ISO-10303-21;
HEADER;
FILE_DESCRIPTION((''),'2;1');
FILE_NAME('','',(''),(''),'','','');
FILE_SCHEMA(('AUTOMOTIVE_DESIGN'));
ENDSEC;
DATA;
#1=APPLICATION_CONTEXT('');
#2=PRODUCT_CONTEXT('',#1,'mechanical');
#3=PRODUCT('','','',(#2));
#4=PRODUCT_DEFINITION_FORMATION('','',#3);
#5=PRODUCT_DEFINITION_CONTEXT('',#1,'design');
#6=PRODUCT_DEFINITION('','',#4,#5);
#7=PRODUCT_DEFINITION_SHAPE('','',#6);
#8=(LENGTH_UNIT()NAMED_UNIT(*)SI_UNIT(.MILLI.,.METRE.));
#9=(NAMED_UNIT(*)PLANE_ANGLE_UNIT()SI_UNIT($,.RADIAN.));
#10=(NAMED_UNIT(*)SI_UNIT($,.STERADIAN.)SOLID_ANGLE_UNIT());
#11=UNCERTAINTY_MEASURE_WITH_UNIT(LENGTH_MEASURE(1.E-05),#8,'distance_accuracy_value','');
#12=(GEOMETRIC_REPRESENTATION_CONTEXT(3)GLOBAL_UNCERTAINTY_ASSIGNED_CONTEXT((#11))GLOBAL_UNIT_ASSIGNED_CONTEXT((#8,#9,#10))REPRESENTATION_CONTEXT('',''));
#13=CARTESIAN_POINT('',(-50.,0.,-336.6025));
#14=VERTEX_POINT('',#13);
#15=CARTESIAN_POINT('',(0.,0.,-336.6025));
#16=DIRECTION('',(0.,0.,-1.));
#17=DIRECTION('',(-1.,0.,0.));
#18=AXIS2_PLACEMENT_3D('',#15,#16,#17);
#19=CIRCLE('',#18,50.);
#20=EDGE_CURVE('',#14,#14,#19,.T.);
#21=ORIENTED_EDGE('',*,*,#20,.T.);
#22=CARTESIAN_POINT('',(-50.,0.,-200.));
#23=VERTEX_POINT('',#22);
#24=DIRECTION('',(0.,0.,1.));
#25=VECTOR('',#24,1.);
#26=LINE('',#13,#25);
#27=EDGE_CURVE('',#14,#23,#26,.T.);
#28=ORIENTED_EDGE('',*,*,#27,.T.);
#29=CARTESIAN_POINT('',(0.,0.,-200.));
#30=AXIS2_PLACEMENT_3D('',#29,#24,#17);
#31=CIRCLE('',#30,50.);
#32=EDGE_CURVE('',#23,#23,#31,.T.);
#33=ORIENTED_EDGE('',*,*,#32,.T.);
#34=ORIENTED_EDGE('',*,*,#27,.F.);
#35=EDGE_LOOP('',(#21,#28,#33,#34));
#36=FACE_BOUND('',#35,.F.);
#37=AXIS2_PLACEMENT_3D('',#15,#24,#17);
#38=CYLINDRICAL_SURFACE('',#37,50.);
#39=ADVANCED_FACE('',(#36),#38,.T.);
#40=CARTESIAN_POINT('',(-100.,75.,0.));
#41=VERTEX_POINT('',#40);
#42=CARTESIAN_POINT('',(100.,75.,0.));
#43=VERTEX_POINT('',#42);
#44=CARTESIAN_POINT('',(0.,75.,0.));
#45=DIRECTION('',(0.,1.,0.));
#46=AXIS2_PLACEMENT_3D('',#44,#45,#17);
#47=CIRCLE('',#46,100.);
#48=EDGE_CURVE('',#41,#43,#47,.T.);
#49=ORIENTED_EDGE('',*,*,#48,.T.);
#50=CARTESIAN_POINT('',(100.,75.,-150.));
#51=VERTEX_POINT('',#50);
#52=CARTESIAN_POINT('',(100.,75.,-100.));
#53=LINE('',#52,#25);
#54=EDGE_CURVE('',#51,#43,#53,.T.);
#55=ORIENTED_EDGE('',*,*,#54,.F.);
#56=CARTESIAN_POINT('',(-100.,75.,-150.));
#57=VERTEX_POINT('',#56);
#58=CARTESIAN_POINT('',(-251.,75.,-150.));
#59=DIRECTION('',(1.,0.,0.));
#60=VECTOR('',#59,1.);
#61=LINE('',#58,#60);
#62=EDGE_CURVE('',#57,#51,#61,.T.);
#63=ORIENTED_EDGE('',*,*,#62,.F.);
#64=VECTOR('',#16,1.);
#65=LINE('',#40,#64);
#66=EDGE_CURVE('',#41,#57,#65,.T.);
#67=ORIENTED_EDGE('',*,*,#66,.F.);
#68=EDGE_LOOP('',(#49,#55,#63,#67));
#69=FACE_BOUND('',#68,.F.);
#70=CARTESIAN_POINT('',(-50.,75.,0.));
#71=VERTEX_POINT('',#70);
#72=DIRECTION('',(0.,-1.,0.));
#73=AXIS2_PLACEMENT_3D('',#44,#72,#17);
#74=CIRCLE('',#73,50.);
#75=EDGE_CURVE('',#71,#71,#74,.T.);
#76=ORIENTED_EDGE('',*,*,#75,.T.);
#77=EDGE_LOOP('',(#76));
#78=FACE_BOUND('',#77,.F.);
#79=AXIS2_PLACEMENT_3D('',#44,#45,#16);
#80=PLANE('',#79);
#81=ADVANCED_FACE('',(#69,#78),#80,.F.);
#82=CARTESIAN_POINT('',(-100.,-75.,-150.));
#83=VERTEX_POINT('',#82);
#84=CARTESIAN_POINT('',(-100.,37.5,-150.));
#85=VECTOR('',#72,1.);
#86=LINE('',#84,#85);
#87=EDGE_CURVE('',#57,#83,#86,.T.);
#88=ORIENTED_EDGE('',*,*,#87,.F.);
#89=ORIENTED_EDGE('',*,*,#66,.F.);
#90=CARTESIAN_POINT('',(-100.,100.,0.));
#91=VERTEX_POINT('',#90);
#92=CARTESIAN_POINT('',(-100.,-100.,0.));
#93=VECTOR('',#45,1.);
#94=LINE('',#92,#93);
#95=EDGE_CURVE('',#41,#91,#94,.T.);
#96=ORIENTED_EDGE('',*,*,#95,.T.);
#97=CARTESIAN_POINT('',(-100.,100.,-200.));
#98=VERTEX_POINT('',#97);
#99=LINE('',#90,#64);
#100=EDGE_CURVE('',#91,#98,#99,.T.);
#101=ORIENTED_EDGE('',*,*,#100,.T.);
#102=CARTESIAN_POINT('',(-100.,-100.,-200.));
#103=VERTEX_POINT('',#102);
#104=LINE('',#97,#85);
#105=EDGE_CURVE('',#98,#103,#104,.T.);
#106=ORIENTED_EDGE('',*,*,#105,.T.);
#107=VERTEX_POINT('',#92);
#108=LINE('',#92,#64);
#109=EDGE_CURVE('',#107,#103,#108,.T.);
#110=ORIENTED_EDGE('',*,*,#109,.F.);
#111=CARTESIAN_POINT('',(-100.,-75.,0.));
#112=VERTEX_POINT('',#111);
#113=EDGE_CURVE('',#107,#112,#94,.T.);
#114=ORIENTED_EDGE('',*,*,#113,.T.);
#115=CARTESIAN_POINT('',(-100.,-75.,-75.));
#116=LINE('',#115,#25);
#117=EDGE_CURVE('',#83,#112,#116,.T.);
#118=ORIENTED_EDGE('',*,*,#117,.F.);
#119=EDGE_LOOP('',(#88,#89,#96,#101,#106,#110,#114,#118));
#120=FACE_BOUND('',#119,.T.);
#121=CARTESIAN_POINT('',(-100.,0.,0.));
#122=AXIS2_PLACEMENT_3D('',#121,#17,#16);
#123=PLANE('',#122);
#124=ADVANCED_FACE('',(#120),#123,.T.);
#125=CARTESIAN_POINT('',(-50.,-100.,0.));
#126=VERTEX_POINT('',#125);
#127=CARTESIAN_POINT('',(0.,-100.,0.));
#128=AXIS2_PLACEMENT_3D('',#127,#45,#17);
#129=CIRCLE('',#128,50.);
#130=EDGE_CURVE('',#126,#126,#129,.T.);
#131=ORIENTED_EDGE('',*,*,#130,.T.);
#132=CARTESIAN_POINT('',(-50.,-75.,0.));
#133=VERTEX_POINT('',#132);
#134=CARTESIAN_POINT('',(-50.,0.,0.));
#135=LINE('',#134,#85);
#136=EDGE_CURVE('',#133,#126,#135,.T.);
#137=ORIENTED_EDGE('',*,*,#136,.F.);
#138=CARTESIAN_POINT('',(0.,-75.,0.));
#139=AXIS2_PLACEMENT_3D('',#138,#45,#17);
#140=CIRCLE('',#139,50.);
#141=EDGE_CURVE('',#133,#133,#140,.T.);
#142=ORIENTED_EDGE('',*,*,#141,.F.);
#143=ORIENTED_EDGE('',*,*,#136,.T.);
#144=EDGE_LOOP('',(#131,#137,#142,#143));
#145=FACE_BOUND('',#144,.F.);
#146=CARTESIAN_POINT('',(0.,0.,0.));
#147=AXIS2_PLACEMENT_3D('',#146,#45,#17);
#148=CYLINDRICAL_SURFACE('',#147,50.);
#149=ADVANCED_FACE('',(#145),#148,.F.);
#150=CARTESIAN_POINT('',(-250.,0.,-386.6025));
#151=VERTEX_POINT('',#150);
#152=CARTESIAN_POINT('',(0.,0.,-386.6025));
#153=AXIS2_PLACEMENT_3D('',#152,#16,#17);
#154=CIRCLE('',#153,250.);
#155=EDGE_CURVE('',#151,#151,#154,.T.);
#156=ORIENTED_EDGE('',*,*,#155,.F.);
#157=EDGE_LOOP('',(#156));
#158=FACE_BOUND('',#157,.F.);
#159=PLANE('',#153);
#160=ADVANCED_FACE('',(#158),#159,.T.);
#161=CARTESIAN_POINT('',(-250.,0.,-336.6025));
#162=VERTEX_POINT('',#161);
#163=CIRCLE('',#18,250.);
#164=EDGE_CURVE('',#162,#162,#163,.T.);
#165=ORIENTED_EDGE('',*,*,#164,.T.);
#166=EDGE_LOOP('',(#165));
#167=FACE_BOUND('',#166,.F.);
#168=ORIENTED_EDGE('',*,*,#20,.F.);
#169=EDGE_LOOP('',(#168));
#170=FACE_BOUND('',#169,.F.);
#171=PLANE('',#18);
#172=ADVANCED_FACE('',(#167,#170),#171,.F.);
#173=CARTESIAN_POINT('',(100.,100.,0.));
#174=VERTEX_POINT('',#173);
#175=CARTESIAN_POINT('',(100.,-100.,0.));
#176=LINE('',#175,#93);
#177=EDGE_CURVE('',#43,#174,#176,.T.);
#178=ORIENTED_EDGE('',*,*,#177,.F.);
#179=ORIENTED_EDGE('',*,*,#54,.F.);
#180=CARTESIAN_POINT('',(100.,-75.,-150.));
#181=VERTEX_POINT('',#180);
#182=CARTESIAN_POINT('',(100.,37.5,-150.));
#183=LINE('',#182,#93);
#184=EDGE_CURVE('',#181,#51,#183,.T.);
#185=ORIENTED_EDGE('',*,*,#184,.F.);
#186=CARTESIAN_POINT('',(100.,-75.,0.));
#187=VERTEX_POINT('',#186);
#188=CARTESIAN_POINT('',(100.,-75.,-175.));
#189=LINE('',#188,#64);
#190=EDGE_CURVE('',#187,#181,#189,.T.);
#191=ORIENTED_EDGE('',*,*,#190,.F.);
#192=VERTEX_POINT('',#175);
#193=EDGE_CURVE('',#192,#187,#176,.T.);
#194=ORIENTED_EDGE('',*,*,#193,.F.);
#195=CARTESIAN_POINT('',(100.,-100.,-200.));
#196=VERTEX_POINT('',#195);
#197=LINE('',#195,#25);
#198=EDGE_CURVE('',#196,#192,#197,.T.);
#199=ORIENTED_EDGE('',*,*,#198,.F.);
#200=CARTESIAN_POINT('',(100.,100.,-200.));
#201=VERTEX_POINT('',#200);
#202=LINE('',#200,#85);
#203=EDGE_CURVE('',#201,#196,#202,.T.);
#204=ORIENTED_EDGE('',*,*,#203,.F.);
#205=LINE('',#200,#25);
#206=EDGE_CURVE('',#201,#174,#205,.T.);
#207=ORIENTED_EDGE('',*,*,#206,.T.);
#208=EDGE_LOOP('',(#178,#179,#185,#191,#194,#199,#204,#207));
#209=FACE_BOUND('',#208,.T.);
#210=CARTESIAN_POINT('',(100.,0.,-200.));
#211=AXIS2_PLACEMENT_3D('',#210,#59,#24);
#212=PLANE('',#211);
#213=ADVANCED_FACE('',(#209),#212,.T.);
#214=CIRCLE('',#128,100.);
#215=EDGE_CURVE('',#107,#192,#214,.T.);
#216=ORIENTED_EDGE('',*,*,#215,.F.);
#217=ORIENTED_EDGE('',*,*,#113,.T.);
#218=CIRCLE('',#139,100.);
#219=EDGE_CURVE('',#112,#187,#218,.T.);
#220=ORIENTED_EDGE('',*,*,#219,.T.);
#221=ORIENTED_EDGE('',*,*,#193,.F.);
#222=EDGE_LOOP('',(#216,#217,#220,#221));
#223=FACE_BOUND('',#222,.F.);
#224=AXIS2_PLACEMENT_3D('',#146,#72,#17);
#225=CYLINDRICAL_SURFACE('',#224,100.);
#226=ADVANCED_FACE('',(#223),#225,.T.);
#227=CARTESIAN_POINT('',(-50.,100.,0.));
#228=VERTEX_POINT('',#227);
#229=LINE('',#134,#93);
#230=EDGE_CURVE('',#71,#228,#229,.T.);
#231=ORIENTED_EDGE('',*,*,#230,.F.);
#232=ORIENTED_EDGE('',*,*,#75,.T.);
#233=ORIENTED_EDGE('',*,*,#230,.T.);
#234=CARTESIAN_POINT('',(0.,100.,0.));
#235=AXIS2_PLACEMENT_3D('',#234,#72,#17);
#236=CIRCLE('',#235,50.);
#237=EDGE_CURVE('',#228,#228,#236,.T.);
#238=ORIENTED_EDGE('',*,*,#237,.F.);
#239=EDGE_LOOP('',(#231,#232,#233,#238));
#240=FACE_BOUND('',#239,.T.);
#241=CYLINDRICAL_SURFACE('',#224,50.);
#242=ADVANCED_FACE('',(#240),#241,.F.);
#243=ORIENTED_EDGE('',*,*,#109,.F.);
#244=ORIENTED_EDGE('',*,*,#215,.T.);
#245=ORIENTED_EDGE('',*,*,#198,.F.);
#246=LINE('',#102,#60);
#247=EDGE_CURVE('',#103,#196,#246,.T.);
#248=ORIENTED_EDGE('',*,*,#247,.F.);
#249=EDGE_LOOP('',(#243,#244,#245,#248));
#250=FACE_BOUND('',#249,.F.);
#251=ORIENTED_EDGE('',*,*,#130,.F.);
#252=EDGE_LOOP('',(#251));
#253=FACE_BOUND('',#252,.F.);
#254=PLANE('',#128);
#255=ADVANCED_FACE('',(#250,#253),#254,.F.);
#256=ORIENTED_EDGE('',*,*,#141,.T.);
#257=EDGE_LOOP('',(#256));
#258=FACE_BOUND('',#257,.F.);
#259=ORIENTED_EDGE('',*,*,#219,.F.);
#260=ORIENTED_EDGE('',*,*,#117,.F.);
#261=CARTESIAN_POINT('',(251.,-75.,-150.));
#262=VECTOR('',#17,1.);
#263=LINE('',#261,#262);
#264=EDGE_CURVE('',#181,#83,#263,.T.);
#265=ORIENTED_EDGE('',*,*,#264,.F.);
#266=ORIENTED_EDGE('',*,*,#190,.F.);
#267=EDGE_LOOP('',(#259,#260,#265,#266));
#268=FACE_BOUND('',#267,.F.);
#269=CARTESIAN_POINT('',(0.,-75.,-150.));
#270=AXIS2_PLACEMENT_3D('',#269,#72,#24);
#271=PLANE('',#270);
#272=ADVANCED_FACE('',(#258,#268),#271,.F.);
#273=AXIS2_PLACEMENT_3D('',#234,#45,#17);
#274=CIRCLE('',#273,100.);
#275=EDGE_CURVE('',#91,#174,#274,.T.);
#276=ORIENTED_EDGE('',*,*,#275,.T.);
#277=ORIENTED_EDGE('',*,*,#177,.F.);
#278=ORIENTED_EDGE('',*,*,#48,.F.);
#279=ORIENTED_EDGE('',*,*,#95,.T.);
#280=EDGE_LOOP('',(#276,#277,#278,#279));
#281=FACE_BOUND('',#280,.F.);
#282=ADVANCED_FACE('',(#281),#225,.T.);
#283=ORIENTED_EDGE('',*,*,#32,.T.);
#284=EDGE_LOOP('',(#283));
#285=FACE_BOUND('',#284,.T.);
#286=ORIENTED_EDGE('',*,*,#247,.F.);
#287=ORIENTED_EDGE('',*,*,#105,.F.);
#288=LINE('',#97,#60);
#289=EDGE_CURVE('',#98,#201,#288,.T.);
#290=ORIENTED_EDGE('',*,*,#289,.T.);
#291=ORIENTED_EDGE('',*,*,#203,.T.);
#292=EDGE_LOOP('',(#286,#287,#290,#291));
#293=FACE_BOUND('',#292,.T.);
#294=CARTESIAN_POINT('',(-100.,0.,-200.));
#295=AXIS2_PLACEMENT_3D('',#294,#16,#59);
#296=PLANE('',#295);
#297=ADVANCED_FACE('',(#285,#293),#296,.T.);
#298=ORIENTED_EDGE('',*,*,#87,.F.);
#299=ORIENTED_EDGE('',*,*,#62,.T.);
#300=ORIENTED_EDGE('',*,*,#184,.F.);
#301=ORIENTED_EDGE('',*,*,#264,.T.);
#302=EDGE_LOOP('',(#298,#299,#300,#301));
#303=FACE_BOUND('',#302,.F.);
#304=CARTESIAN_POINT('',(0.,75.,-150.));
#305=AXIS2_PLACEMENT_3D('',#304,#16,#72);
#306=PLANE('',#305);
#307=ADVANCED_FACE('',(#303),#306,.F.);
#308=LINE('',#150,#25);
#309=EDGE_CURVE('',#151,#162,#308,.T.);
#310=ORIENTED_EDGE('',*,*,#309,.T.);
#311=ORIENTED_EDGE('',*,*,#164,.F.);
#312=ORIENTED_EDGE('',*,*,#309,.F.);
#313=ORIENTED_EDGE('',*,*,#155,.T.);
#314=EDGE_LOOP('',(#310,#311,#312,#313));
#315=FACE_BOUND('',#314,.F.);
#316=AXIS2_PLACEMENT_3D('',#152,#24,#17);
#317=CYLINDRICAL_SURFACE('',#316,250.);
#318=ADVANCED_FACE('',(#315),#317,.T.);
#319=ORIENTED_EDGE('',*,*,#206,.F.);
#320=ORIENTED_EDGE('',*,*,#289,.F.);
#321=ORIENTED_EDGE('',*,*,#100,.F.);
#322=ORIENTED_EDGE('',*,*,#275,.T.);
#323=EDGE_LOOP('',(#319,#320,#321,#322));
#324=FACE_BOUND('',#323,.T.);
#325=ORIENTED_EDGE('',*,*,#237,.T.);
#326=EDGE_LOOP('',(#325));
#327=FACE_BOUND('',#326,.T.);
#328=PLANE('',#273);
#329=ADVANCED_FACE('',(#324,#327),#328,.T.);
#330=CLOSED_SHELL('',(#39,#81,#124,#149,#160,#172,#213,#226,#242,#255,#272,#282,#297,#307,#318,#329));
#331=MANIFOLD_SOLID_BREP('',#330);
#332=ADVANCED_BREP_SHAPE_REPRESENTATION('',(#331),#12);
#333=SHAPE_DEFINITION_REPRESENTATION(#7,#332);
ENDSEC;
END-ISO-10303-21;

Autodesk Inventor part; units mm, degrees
ref_plane "YZ Plane" through (0, 0, 0) normal (1, 0, 0) x (0, 1, 0)
ref_plane "XZ Plane" through (0, 0, 0) normal (0, 1, 0) x (-1, 0, 0)
ref_plane "XY Plane" through (0, 0, 0) normal (0, 0, 1) x (1, 0, 0)
sketch "Sketch2" plane through (0, 0, 0) normal (0, 1, 0) x (-1, 0, 0)
  line L0 (0, 143.7774) -> (0, -86.6025) construction
  line L1 (190.8875, 0) -> (-168.3726, 0)
  arc A0 (50, -86.6025) -> (0, 100) centre (0, 0) ccw construction
  line L2 (0, 0) -> (0, -86.6025) construction
  line L3 (0, -386.6025) -> (250, -386.6025)
  line L4 (250, -386.6025) -> (250, -336.6025)
  line L5 (250, -336.6025) -> (50, -336.6025)
  line L6 (50, -336.6025) -> (50, -86.6025)
  line L7 (0, 0) -> (0, 100) construction
  line L8 (50, -86.6025) -> (0, -86.6025)
  line L9 (0, -86.6025) -> (0, -95.5661) construction
  line L10 (0, -86.6025) -> (0, -386.6025)
  dimension "d0" = 100
  dimension "ht" = 250
  dimension "base_thick" = 50
  dimension "base_radius" = 250
  dimension "d11" = 50
revolve "Revolution2" add sketch "Sketch2" angle 360 about axis through (0, 0, 143.7774) along (0, 0, -1)
sketch "Sketch3" plane through (0, 0, 0) normal (0, 1, 0) x (-1, 0, 0)
  line L0 (68.3369, 0) -> (-71.9882, 0)
  line L1 (0, 52.8788) -> (0, -69.4874)
  arc A0 (100, 0) -> (-100, 0) centre (0, 0) ccw
  line L2 (100, 0) -> (100, -200)
  line L3 (100, -200) -> (-100, -200)
  line L4 (-100, -200) -> (-100, 0)
  dimension "d26" = 100
  dimension "d27" = 200
extrude "Extrusion1" add sketch "Sketch3" along normal mid plane 200
sketch "Sketch4" plane through (0, 0, 0) normal (0, 1, 0) x (-1, 0, 0)
  circle A0 centre (0, 0) radius 50
  dimension "d30" = 50
extrude "Extrusion2" cut sketch "Sketch4" along normal through all both and the other way through all
sketch "Sketch5" plane through (0, 0, 0) normal (1, 0, 0) x (0, 1, 0)
  line L0 (75, -150) -> (-75, -150)
  line L1 (-75, -150) -> (-75, 100)
  line L2 (-75, 100) -> (75, 100)
  line L3 (75, 100) -> (75, -150)
  line L4 (0, -62.7821) -> (0, 60)
  line L5 (91.6333, 0) -> (-95.5004, 0)
  line L6 (0, -400) -> (0, 300) construction
  point P0 (0, 0)
  dimension "d35" = 75
  dimension "d36" = 100
  dimension "d39" = 150
extrude "Extrusion3" cut sketch "Sketch5" along normal through all both and the other way through all
equation "\"d0\" = S_radius"
equation "\"ht\" = 5 * rod_radius"
equation "\"base_thick\" = rod_radius"
equation "\"base_radius\" = 5 * rod_radius"
equation "\"d11\" = rod_radius"
equation "\"d26\" = S_radius"
equation "\"d27\" = 2 * S_radius"
equation "\"d28\" = 2 * S_radius"
equation "\"d30\" = rod_radius"
equation "\"d35\" = 1.5 * rod_radius"
equation "\"d36\" = S_radius"
equation "\"d39\" = 1.5 * S_radius"
equation "\"rod_radius\" = 50"
equation "\"S_radius\" = 2 * rod_radius"
properties part number "FP"
